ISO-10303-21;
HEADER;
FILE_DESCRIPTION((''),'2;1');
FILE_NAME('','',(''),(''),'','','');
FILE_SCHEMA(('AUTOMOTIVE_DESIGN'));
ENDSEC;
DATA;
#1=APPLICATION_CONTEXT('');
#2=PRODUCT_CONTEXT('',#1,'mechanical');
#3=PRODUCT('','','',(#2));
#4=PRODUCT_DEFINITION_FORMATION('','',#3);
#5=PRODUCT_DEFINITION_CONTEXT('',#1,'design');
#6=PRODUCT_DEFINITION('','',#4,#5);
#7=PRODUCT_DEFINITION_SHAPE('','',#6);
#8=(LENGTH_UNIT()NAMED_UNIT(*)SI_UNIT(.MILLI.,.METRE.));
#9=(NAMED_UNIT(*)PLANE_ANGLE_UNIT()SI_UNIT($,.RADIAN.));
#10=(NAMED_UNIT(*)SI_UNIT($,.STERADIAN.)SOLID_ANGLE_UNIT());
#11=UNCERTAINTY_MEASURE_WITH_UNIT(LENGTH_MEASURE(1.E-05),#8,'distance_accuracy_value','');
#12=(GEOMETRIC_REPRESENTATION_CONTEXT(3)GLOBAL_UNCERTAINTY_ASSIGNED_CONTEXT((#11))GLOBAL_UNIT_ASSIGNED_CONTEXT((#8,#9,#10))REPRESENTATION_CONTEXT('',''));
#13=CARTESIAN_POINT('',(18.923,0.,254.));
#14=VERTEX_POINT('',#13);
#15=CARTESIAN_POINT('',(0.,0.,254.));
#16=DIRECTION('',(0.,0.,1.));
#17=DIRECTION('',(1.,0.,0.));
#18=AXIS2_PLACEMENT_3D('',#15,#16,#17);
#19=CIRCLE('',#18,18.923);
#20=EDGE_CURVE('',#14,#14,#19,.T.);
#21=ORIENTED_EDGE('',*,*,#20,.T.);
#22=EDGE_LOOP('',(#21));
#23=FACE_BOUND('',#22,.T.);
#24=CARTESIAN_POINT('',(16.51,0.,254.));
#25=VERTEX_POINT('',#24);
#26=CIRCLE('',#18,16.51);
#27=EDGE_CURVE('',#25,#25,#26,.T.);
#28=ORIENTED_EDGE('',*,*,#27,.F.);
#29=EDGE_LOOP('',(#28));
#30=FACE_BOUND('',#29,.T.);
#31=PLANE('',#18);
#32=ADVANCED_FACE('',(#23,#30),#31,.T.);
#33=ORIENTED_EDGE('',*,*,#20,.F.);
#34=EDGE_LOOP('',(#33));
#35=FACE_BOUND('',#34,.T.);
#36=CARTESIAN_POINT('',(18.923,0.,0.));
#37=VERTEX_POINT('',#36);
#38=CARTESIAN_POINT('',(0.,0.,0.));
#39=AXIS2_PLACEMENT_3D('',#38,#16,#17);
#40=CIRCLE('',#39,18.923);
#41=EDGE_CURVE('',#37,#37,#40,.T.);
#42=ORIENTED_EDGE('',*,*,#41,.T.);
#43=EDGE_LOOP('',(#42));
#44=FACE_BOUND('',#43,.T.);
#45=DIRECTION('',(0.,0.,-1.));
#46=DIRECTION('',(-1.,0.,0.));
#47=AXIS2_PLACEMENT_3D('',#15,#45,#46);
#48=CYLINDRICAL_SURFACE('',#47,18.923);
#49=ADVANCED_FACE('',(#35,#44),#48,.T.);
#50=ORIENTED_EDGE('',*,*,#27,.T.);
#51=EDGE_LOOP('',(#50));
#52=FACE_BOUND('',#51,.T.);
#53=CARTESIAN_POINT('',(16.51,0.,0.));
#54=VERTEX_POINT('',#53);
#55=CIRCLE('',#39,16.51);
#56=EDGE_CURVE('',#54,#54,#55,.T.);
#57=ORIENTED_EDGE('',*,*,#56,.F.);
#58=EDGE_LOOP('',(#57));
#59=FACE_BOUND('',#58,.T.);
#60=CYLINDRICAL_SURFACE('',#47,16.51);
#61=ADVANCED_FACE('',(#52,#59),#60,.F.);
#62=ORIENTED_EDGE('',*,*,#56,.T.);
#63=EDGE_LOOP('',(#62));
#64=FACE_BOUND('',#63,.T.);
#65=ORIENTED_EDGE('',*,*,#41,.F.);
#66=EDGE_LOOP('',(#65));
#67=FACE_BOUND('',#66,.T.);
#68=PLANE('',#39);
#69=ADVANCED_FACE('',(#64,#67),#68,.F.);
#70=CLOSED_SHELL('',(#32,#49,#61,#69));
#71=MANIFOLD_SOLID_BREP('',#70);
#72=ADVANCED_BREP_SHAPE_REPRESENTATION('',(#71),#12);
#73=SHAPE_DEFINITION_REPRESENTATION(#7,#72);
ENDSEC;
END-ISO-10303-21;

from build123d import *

# Parameters (mm, degrees)
SKETCH1_R           = 18.923
SKETCH1_R_2         = 16.51
BOSS_EXTRUDE1_DEPTH = 254


with BuildPart() as part:
    # Sketch1 → Boss-Extrude1 (new body)
    with BuildSketch(Plane.XY):
        Circle(SKETCH1_R)
        Circle(SKETCH1_R_2, mode=Mode.SUBTRACT)
    extrude(amount=BOSS_EXTRUDE1_DEPTH)


solid = part.part
